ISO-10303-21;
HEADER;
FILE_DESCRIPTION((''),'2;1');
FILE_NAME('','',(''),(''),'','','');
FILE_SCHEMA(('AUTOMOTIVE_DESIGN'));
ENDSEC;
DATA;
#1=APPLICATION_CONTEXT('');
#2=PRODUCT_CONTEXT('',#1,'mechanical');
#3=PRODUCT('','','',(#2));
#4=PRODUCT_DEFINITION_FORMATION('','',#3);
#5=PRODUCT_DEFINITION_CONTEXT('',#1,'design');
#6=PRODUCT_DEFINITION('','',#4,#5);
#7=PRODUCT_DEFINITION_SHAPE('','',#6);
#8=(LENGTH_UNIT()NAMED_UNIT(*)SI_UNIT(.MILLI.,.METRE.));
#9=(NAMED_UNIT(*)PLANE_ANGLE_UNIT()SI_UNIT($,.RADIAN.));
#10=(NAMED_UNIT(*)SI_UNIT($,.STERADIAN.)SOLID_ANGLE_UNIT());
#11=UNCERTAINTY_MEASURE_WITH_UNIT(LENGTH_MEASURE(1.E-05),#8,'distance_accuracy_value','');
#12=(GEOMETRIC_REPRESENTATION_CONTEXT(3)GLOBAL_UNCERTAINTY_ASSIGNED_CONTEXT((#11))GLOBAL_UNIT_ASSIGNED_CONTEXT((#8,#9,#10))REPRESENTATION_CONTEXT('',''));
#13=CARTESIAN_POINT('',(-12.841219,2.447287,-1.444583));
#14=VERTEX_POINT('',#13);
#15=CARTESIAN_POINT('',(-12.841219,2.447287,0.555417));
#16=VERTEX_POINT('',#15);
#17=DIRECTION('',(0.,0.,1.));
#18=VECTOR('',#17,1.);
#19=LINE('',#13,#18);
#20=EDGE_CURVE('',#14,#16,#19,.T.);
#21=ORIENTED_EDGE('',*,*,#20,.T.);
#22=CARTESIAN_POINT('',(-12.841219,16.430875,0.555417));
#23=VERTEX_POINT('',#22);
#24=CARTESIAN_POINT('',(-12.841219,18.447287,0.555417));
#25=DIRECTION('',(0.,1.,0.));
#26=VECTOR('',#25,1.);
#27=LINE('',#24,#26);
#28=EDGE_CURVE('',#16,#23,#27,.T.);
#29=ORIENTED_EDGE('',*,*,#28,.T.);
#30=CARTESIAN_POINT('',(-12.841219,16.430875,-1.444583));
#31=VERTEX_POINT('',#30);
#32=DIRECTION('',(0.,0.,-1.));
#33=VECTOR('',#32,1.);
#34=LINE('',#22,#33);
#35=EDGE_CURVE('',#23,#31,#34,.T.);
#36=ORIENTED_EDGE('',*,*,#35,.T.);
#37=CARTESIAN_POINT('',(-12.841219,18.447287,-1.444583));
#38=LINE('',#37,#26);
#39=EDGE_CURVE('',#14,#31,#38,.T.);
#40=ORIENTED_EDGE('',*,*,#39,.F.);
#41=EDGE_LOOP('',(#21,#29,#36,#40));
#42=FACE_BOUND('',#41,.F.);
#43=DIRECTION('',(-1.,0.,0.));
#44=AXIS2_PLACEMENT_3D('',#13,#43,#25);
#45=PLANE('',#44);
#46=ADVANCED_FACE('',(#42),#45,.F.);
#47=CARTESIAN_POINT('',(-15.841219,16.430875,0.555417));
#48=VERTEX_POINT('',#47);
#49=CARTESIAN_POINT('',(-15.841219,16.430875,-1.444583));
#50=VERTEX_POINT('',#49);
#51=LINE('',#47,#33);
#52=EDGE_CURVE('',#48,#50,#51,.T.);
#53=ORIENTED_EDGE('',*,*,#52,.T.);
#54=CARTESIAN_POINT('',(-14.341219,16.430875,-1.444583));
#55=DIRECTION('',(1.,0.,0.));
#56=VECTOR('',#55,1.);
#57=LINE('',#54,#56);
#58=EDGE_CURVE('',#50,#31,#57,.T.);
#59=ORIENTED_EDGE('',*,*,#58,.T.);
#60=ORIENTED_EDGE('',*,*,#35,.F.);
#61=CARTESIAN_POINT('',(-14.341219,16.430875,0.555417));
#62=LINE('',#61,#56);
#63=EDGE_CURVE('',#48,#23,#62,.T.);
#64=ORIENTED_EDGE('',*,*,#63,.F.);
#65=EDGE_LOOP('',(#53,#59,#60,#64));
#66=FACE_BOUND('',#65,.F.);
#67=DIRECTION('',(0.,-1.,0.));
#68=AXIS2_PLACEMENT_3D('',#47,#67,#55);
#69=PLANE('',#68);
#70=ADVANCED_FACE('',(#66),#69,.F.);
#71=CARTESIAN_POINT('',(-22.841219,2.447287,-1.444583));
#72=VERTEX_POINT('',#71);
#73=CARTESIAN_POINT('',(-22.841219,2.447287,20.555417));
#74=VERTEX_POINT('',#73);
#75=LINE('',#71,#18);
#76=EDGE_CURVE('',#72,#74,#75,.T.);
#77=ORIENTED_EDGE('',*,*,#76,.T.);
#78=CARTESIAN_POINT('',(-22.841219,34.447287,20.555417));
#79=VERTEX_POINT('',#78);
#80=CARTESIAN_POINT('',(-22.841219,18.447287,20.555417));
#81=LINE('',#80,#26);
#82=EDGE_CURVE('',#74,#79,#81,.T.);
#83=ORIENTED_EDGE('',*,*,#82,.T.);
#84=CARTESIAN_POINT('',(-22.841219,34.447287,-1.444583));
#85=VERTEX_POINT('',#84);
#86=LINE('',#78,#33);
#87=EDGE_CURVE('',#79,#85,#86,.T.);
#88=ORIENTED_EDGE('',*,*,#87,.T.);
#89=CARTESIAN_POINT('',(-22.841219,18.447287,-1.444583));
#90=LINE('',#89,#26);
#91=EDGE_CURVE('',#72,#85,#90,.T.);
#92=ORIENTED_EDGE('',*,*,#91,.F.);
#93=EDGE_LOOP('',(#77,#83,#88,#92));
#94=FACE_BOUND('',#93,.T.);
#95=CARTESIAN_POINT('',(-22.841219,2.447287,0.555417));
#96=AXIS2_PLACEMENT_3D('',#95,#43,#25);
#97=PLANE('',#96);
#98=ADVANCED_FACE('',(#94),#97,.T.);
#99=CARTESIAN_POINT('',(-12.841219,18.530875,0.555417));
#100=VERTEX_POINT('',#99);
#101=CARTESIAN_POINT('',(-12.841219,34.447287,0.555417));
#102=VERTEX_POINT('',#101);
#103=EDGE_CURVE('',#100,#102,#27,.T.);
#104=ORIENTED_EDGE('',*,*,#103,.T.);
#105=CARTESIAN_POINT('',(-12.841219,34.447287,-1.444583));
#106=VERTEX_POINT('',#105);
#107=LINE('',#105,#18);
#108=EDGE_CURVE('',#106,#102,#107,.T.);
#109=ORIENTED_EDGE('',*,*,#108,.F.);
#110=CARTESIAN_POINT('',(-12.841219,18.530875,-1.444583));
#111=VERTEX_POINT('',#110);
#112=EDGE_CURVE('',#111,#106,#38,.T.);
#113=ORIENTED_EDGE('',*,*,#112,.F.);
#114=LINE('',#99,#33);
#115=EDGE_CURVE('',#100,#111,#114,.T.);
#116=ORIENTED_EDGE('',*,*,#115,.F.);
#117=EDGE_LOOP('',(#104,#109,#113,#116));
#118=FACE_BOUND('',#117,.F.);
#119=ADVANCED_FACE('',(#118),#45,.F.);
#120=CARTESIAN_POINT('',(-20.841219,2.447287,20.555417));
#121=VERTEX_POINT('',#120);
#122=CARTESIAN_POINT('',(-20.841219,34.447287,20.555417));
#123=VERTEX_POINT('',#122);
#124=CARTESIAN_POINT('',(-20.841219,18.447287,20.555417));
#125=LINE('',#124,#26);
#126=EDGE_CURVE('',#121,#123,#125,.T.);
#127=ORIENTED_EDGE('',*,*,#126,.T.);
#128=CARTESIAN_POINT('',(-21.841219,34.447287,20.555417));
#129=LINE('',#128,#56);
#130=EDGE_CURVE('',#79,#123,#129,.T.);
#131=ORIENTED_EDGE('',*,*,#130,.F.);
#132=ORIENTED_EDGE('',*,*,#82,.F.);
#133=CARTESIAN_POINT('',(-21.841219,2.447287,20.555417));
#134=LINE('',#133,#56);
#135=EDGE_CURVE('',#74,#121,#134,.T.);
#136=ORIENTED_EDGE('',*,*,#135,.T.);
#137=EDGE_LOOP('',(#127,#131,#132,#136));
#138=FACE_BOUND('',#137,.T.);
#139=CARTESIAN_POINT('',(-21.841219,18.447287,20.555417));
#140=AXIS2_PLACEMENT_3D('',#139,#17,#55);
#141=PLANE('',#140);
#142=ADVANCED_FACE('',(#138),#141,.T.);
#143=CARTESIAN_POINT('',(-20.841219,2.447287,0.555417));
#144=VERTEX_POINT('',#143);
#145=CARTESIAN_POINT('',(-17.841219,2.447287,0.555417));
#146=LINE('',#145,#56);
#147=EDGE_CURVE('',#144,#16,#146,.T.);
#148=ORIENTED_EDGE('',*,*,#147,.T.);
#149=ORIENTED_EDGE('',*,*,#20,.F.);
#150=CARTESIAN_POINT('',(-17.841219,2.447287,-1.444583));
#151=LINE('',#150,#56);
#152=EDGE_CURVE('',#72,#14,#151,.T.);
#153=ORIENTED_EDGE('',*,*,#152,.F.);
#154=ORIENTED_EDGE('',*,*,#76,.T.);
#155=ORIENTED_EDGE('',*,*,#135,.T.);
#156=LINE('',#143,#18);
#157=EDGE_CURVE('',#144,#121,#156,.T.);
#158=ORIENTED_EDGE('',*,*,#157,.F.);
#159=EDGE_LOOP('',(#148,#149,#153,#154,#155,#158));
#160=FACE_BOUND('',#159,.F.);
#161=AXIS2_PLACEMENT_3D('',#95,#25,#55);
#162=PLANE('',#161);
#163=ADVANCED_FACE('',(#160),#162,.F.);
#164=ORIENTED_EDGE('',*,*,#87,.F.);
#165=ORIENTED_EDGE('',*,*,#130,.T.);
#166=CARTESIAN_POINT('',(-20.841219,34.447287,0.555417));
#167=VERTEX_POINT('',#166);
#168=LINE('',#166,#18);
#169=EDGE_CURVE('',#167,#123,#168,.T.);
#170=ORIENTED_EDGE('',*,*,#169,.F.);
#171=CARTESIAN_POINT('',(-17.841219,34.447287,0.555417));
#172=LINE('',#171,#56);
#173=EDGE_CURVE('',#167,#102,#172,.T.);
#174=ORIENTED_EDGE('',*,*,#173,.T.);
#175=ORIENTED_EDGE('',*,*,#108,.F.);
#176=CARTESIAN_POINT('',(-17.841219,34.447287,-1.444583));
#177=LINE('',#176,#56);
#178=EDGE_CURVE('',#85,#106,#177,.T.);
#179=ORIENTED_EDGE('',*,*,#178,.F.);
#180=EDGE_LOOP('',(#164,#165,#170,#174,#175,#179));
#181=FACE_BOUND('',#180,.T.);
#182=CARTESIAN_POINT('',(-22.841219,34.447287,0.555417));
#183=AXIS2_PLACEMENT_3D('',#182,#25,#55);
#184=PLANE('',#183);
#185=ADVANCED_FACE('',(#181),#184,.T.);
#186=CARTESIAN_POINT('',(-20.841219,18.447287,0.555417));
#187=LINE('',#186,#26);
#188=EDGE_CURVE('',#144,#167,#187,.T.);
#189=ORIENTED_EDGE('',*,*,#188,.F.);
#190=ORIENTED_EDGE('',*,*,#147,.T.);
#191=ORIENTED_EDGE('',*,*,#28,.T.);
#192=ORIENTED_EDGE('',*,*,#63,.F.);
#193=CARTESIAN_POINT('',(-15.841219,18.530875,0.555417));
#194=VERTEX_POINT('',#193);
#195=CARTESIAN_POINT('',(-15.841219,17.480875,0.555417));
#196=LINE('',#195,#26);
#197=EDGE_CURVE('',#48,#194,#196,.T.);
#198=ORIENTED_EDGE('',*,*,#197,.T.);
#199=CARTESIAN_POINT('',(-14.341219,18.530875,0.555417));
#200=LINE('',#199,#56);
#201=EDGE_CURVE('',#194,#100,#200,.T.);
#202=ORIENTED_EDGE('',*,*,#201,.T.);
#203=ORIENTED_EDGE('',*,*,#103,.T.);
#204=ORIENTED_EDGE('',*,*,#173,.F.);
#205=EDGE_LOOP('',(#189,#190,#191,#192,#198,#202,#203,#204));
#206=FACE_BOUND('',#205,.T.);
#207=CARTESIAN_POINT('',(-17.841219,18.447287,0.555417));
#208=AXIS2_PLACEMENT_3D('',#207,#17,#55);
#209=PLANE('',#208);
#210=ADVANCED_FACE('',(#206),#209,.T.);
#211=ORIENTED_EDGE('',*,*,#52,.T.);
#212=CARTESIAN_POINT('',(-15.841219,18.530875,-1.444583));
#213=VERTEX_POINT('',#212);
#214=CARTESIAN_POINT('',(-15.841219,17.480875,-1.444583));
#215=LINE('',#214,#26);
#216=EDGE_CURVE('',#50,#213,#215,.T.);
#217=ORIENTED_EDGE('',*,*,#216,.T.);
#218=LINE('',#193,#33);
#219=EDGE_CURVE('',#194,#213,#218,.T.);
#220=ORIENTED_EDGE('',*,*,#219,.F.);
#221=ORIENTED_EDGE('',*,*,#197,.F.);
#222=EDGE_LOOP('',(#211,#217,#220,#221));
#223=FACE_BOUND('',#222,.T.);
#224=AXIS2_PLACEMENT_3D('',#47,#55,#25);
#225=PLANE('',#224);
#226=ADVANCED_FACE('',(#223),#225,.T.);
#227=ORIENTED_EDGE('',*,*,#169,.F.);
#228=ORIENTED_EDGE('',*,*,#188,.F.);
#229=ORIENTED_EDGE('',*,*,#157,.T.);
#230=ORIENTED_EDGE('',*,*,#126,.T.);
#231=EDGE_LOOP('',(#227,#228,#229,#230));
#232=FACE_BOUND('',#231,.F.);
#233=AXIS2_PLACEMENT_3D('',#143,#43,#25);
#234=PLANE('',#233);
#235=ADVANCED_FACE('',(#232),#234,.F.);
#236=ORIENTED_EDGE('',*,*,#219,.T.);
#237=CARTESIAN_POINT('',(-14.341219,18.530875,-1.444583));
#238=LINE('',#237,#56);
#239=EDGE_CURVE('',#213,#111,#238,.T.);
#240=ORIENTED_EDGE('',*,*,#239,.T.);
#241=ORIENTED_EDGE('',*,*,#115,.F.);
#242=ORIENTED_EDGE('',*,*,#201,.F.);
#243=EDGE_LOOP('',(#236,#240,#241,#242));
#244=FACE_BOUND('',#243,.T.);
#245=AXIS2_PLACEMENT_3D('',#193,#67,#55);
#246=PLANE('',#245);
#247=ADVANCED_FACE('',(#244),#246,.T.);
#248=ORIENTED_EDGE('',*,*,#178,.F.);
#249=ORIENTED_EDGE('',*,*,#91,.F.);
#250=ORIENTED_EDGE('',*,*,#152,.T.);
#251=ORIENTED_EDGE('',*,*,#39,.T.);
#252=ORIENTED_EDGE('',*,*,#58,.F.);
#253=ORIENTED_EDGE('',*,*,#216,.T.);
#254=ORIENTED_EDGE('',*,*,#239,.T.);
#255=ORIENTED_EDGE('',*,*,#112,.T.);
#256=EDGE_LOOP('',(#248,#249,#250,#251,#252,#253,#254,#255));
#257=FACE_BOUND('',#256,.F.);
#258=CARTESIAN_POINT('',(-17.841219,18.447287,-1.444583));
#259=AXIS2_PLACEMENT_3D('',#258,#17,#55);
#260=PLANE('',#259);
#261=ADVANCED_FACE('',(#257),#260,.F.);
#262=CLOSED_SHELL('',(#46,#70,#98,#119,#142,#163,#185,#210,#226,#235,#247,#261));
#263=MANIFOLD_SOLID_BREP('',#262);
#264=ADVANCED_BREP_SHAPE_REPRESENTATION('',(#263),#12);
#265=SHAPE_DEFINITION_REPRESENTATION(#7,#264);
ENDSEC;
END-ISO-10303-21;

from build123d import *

# Parameters (mm, degrees)
SKETCH034_W     = 10
SKETCH034_H     = 32
PAD018_DEPTH    = 2
SKETCH035_W     = 2
SKETCH035_H     = 32
PAD019_DEPTH    = 20
SKETCH036_W     = 3
SKETCH036_H     = 2.1
POCKET020_DEPTH = 2


with BuildPart() as part:
    # Sketch034 → Pad018 (new body)
    with BuildSketch(Plane.XY):
        with Locations((5, 16)):
            Rectangle(SKETCH034_W, SKETCH034_H)
    extrude(amount=PAD018_DEPTH)

    # Sketch035 (on Face6 of Pad018) → Pad019 (join)
    with BuildSketch(Plane.XY.offset(2)):
        with Locations((1, 16)):
            Rectangle(SKETCH035_W, SKETCH035_H)
    extrude(amount=PAD019_DEPTH)

    # Sketch036 (on Face3 of Pad019) → Pocket020 (cut)
    with BuildSketch(Plane.XY.offset(2)):
        with Locations((8.5, 15.0335876781)):
            Rectangle(SKETCH036_W, SKETCH036_H)
    extrude(amount=-POCKET020_DEPTH, mode=Mode.SUBTRACT)


with BuildPart() as part_1:
    # Body005 placement: moved
    add(part.part.moved(Location((-22.8412186, 2.4472869228, -1.4445826502))))


solid = part_1.part
